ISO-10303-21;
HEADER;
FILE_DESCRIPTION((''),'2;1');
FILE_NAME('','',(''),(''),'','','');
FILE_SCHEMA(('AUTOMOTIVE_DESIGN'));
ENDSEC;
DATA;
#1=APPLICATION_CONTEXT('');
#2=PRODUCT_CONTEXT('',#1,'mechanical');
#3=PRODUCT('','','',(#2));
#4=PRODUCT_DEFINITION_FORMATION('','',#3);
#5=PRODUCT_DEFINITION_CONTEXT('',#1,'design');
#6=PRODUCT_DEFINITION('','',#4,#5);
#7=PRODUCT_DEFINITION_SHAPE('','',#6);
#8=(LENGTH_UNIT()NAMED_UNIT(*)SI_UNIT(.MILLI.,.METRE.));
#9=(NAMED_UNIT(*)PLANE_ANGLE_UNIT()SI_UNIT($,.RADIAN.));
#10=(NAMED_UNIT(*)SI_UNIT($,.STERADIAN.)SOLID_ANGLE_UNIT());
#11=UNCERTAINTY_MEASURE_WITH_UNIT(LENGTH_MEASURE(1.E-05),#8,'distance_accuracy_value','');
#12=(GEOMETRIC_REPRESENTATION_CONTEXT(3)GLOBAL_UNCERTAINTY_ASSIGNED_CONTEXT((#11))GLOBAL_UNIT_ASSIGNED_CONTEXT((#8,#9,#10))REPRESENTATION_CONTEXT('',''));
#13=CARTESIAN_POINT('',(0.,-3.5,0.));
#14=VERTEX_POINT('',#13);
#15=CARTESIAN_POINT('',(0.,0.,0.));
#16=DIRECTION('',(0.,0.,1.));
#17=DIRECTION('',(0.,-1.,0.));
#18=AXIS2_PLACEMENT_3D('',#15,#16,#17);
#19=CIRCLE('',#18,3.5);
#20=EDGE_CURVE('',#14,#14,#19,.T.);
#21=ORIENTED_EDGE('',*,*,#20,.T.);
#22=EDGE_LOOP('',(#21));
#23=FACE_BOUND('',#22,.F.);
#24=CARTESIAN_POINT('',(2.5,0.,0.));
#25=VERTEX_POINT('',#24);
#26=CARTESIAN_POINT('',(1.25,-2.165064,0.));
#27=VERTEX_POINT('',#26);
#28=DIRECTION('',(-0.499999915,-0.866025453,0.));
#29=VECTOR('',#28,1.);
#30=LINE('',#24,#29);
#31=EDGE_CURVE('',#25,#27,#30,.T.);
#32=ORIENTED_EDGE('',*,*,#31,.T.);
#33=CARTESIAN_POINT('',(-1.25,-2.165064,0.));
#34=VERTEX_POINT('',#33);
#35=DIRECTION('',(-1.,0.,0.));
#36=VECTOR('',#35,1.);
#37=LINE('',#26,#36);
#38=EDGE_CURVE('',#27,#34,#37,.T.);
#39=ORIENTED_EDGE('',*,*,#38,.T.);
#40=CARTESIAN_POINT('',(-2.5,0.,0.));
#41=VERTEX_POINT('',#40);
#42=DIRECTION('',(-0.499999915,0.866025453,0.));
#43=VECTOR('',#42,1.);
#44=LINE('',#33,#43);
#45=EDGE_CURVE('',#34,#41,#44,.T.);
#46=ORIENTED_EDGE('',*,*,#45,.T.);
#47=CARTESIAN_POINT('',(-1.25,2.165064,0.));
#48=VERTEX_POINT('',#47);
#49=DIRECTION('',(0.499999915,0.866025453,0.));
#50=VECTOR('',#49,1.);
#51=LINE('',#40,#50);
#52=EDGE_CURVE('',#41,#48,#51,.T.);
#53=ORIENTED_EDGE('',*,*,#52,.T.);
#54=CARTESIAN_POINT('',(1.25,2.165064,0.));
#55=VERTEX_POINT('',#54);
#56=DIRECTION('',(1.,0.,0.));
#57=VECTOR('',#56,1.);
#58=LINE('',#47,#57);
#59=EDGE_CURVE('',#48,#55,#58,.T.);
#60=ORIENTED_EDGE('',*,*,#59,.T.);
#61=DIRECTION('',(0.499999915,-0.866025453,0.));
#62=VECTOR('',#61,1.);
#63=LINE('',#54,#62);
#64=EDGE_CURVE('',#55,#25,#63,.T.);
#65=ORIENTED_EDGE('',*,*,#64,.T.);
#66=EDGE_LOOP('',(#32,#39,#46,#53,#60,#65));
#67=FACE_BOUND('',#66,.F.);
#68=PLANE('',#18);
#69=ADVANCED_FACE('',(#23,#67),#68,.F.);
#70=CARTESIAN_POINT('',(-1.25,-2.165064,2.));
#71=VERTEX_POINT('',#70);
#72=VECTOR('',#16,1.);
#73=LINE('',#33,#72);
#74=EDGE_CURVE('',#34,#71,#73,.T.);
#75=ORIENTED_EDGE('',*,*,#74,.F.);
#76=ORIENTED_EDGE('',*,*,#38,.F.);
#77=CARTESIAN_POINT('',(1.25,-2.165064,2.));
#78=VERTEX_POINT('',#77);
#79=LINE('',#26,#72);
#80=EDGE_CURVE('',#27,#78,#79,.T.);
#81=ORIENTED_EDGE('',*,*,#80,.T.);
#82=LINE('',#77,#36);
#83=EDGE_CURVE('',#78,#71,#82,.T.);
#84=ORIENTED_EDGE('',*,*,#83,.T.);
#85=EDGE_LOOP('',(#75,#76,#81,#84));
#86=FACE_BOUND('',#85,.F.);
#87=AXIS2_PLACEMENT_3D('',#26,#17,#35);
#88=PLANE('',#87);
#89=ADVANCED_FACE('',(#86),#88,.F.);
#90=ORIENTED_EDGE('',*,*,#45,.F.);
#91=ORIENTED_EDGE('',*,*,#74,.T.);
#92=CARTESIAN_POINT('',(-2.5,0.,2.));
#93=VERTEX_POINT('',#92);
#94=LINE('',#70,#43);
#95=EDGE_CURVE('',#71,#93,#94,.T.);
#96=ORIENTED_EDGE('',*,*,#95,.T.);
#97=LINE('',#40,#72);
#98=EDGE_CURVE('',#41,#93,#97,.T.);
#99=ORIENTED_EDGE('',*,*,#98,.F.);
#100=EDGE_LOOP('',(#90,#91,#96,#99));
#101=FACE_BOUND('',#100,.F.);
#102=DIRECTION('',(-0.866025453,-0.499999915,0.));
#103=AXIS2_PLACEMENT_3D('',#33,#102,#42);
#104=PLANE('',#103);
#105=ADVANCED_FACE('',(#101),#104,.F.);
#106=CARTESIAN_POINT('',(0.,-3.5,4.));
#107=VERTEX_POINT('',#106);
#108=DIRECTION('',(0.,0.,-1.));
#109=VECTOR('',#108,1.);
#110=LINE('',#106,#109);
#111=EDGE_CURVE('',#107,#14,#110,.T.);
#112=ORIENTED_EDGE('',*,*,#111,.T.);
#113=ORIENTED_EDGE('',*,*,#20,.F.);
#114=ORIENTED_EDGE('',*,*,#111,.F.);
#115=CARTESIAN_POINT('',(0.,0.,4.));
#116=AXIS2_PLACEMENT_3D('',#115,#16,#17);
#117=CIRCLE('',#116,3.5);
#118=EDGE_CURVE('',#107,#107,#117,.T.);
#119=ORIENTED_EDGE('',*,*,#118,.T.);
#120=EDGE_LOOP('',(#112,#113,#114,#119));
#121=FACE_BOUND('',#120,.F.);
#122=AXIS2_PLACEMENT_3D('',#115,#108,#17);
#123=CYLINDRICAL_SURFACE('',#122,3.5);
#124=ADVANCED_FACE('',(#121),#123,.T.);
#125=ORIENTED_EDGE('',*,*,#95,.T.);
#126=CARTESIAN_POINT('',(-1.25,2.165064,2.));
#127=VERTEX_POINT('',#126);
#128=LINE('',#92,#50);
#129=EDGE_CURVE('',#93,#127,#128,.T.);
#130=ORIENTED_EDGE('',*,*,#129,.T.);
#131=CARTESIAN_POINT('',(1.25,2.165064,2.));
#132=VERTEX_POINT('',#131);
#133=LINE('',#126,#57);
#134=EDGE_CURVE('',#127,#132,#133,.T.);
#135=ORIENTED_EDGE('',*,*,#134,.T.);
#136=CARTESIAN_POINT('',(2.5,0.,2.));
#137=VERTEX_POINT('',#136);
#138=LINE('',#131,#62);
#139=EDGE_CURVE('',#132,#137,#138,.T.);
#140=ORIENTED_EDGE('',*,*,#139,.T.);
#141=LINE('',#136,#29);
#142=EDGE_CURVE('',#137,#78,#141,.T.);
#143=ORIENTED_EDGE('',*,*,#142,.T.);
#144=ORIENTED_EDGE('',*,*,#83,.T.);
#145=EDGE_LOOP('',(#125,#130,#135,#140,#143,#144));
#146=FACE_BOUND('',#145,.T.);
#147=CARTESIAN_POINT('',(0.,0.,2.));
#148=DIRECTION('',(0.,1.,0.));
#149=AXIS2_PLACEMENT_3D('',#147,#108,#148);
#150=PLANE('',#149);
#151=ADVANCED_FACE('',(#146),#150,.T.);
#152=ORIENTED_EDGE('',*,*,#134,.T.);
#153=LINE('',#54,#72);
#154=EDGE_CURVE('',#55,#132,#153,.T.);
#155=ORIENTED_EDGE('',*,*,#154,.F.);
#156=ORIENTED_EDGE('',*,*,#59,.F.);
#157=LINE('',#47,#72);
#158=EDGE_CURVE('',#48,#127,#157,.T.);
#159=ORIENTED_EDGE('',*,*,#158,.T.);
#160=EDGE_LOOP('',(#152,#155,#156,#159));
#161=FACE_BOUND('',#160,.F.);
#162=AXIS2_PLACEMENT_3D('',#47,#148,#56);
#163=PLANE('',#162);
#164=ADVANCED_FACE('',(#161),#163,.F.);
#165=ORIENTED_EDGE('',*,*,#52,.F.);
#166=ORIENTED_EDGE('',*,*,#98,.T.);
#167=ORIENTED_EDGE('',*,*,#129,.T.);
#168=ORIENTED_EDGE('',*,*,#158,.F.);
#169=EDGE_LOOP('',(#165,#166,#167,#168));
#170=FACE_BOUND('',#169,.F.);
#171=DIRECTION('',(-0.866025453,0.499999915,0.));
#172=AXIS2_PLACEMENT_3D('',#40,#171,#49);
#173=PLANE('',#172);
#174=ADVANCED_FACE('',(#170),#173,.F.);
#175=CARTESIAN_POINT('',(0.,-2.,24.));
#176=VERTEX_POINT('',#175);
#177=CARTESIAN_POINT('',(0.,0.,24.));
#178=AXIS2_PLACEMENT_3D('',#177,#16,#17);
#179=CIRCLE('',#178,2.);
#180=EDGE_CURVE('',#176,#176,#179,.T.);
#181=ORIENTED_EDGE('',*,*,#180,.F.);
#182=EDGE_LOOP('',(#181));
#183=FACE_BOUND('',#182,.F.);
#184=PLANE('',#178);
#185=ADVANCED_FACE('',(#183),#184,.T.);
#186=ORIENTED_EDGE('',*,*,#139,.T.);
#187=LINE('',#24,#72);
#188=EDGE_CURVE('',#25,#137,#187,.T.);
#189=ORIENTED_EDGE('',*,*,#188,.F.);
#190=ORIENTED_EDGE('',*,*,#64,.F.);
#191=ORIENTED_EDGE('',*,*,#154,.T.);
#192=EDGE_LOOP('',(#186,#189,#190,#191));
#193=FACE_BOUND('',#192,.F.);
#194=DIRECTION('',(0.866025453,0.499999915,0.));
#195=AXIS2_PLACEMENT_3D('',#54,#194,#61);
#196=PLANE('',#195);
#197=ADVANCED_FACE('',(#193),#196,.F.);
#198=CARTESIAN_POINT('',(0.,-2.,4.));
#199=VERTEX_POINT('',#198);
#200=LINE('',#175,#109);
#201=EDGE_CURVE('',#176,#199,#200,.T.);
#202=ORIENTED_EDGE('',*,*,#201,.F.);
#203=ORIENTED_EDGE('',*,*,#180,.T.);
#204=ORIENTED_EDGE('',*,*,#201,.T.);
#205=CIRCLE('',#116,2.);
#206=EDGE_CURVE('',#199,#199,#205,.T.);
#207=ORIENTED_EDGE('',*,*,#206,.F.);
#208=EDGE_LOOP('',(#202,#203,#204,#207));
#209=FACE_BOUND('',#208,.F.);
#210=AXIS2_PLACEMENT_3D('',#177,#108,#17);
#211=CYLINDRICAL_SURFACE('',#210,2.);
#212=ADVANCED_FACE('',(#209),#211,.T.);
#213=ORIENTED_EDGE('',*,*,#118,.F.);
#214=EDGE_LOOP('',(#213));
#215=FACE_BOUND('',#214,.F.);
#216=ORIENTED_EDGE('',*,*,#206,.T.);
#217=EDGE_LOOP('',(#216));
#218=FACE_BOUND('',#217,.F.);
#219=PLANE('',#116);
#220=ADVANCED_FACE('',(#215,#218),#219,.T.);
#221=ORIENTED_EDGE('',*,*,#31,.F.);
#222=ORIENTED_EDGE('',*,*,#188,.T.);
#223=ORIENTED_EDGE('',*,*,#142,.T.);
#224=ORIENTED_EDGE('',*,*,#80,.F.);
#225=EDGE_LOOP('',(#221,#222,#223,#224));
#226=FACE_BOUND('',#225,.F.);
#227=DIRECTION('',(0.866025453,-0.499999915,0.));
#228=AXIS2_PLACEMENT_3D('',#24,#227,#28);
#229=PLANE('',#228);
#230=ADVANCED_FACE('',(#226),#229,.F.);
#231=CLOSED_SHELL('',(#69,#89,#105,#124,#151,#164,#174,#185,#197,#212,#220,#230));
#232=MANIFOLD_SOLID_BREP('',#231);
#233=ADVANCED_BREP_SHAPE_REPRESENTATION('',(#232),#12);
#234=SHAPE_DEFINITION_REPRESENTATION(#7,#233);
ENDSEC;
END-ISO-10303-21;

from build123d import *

# Parameters (mm, degrees)
POCKET_DEPTH = 2


with BuildPart() as part:
    # Sketch → Revolution (revolve)
    with BuildSketch(Plane.YZ):
        Polygon((-3.5, 4), (-3.5, 0), (0, 0), (0, 24), (-2, 24), (-2, 4), align=None)
    revolve(axis=Axis((0, 0, 0), (0, 0, 1)))

    # Sketch001 (on Face2 of Revolution) → Pocket (cut)
    with BuildSketch(Plane.YX):
        Polygon((0, 2.5), (-2.165064, 1.25), (-2.165064, -1.25), (0, -2.5), (2.165064, -1.25), (2.165064, 1.25), align=None)
    extrude(amount=-POCKET_DEPTH, mode=Mode.SUBTRACT)


solid = part.part
